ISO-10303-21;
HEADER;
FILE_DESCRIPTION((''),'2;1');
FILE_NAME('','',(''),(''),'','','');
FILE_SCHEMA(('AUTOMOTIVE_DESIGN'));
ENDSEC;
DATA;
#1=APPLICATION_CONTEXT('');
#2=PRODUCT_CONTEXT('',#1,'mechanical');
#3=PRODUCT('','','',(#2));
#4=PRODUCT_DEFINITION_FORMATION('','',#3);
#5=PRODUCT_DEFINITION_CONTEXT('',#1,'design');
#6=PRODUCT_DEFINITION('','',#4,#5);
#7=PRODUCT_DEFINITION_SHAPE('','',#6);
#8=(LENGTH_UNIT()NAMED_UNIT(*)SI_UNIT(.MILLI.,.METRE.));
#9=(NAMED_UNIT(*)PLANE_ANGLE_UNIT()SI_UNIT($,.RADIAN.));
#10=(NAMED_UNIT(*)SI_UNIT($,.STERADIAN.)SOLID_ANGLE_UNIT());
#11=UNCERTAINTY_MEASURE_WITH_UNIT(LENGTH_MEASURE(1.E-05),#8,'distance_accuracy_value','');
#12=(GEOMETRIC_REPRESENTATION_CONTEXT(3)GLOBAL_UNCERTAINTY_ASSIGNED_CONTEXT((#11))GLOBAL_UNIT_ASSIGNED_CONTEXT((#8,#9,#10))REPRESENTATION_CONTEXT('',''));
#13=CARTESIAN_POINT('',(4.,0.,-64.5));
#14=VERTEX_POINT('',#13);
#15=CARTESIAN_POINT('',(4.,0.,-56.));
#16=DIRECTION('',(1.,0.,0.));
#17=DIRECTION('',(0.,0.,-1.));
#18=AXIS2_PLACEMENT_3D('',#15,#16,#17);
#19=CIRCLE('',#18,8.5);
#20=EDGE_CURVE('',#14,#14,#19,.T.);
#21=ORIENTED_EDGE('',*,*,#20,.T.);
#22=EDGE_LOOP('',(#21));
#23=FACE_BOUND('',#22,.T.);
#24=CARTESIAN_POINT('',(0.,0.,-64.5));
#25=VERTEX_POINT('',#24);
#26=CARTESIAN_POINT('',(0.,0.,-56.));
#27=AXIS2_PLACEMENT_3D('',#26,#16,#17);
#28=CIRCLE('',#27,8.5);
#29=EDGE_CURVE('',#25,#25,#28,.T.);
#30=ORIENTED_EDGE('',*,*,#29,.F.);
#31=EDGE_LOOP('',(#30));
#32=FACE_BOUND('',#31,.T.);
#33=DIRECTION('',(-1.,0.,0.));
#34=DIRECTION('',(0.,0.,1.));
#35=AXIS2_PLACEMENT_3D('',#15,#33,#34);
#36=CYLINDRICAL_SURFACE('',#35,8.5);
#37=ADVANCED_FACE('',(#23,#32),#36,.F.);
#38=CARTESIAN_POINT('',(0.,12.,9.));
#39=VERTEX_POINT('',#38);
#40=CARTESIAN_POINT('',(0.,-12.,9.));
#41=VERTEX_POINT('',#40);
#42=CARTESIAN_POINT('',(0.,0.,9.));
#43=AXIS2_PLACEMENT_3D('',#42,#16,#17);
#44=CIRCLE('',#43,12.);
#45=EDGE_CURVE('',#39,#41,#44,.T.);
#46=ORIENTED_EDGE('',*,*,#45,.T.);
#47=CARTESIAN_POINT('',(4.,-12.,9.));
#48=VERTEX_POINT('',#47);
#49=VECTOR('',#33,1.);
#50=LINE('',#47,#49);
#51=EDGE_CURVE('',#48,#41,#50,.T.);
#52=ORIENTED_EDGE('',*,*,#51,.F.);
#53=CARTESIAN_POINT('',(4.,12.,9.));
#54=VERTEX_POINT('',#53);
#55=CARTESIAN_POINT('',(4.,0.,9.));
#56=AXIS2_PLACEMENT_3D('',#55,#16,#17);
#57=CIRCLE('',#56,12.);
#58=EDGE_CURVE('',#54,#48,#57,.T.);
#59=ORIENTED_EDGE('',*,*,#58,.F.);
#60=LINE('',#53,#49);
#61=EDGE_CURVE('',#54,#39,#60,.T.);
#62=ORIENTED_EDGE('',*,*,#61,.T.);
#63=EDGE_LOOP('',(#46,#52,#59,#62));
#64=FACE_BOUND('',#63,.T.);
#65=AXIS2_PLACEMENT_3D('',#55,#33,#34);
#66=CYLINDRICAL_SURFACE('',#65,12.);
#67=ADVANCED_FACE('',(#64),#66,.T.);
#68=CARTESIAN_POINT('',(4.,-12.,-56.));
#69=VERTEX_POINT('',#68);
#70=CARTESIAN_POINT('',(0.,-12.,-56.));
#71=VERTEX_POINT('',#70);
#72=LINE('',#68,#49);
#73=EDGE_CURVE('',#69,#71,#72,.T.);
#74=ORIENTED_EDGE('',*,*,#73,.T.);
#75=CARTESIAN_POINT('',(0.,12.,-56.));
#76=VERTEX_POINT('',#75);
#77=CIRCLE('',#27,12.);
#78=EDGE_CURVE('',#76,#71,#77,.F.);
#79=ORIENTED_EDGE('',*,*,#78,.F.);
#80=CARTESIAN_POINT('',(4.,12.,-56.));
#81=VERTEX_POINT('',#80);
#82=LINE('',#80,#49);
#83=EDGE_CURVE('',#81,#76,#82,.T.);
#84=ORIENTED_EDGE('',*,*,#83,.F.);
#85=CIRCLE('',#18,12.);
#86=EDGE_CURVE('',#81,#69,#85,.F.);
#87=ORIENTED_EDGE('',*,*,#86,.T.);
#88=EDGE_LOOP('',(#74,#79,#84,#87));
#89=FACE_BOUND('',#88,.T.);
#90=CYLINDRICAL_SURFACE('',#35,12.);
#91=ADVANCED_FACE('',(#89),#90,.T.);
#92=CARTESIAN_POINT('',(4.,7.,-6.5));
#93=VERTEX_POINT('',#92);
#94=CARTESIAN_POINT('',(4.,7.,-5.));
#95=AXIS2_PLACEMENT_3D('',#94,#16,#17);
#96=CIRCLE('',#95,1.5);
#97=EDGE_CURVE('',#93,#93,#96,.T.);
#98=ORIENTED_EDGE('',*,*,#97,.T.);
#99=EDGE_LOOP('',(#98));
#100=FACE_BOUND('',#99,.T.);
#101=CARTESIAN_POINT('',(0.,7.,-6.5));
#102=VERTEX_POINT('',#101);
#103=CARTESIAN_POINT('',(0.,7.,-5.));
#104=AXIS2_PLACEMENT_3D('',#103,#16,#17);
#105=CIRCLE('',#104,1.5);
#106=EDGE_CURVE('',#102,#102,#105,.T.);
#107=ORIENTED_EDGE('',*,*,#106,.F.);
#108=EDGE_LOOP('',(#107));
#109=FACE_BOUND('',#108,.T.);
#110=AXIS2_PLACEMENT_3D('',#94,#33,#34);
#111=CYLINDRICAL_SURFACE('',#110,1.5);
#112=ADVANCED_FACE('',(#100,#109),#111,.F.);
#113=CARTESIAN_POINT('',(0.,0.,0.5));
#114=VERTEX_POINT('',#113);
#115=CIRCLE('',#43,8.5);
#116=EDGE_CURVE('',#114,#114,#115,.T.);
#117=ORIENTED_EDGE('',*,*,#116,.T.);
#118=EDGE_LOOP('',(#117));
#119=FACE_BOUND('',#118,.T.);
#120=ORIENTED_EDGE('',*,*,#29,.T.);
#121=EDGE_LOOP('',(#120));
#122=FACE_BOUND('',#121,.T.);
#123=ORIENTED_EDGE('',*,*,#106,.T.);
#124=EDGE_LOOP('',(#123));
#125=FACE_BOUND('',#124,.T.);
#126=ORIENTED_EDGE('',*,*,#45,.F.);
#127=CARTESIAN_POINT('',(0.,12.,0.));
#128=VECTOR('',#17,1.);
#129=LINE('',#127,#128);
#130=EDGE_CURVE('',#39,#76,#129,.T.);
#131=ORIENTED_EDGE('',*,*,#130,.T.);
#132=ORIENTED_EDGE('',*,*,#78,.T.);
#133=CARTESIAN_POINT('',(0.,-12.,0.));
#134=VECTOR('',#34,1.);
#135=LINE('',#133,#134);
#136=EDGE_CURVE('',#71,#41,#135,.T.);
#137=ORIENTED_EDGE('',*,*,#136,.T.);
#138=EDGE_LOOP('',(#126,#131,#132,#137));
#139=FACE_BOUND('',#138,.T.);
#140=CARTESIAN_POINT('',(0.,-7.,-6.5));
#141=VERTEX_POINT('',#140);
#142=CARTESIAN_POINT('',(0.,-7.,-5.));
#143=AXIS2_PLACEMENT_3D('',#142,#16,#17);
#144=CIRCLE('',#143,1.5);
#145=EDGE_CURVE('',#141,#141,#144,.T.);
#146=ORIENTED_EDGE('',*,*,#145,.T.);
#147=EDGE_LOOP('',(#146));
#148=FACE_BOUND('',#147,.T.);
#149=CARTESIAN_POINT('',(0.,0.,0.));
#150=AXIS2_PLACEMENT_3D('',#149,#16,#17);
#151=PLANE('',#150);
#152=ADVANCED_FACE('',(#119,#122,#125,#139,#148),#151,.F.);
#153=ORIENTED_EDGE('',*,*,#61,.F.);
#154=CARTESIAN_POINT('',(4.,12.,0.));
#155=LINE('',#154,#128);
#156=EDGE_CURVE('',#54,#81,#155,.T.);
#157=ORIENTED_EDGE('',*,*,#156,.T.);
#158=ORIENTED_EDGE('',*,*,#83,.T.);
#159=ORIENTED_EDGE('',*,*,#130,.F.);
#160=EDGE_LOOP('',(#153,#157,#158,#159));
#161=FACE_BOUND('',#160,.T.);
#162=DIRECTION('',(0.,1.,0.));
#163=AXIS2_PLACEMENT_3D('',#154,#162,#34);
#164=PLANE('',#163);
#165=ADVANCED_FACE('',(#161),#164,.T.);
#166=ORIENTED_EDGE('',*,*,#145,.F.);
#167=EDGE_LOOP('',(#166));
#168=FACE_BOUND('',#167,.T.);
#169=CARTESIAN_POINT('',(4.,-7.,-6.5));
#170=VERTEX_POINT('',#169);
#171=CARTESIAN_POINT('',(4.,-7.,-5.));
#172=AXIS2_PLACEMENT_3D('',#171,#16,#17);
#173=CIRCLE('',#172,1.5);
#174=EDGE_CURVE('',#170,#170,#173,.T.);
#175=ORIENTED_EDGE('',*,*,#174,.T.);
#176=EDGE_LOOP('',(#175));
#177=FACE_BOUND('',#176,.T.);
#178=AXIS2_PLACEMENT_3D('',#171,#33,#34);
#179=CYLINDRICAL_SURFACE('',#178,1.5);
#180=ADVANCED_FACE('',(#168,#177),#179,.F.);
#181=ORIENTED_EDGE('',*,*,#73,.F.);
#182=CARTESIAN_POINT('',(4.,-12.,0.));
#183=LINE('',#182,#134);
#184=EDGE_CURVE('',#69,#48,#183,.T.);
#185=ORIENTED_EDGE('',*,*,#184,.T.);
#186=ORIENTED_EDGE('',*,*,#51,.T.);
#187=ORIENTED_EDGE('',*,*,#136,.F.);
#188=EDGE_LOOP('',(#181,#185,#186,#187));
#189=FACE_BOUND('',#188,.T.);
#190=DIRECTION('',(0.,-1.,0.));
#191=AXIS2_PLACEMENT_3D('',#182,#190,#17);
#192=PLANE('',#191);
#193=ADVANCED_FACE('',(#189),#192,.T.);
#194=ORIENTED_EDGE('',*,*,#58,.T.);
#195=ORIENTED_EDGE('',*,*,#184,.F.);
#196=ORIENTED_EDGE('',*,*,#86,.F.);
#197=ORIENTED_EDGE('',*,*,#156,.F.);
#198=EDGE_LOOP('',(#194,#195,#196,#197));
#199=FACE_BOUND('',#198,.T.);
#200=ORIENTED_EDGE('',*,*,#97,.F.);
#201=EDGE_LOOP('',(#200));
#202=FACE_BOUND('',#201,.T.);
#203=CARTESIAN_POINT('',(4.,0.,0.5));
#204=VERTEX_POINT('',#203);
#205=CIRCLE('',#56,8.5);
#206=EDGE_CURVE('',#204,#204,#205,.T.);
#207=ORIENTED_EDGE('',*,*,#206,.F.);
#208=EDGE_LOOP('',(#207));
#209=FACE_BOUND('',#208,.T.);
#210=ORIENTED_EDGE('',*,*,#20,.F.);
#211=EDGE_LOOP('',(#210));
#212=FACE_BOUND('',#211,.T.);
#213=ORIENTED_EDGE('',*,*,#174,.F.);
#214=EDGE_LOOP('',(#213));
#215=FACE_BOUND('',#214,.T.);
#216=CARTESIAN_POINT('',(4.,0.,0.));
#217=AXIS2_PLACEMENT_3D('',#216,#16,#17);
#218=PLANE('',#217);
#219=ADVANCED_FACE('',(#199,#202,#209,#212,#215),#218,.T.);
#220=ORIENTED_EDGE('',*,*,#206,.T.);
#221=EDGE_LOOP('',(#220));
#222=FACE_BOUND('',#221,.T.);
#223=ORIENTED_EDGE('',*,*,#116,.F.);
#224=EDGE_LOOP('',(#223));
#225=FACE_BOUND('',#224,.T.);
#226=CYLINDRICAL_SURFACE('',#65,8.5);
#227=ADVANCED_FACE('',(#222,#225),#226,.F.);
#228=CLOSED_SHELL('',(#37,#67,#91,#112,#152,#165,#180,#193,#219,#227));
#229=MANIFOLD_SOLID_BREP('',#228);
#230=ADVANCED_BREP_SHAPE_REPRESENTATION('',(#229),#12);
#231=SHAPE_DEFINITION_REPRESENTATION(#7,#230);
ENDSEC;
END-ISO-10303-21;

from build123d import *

# Parameters (mm, degrees)
SKETCH_1_R      = 8.5
SKETCH_1_R_2    = 1.5
EXTRUDE_1_DEPTH = 4


with BuildPart() as part:
    # 草图1 → 凸台-拉伸1 (new body)
    with BuildSketch(Plane(origin=(0, 0, 0), x_dir=(0, 0, -1), z_dir=(1, 0, 0))):
        with BuildLine():
            Line((-9, 12), (0, 12))
            Line((0, 12), (56, 12))
            ThreePointArc((56, 12), (68, 0), (56, -12))
            Line((56, -12), (0, -12))
            Line((0, -12), (-9, -12))
            ThreePointArc((-9, -12), (-21, 0), (-9, 12))
        make_face()
        with Locations((56, 0)):
            Circle(SKETCH_1_R, mode=Mode.SUBTRACT)
        with Locations((5, 7)):
            Circle(SKETCH_1_R_2, mode=Mode.SUBTRACT)
        with Locations((5, -7)):
            Circle(SKETCH_1_R_2, mode=Mode.SUBTRACT)
        with Locations((-9, 0)):
            Circle(SKETCH_1_R, mode=Mode.SUBTRACT)
    extrude(amount=EXTRUDE_1_DEPTH)


solid = part.part
